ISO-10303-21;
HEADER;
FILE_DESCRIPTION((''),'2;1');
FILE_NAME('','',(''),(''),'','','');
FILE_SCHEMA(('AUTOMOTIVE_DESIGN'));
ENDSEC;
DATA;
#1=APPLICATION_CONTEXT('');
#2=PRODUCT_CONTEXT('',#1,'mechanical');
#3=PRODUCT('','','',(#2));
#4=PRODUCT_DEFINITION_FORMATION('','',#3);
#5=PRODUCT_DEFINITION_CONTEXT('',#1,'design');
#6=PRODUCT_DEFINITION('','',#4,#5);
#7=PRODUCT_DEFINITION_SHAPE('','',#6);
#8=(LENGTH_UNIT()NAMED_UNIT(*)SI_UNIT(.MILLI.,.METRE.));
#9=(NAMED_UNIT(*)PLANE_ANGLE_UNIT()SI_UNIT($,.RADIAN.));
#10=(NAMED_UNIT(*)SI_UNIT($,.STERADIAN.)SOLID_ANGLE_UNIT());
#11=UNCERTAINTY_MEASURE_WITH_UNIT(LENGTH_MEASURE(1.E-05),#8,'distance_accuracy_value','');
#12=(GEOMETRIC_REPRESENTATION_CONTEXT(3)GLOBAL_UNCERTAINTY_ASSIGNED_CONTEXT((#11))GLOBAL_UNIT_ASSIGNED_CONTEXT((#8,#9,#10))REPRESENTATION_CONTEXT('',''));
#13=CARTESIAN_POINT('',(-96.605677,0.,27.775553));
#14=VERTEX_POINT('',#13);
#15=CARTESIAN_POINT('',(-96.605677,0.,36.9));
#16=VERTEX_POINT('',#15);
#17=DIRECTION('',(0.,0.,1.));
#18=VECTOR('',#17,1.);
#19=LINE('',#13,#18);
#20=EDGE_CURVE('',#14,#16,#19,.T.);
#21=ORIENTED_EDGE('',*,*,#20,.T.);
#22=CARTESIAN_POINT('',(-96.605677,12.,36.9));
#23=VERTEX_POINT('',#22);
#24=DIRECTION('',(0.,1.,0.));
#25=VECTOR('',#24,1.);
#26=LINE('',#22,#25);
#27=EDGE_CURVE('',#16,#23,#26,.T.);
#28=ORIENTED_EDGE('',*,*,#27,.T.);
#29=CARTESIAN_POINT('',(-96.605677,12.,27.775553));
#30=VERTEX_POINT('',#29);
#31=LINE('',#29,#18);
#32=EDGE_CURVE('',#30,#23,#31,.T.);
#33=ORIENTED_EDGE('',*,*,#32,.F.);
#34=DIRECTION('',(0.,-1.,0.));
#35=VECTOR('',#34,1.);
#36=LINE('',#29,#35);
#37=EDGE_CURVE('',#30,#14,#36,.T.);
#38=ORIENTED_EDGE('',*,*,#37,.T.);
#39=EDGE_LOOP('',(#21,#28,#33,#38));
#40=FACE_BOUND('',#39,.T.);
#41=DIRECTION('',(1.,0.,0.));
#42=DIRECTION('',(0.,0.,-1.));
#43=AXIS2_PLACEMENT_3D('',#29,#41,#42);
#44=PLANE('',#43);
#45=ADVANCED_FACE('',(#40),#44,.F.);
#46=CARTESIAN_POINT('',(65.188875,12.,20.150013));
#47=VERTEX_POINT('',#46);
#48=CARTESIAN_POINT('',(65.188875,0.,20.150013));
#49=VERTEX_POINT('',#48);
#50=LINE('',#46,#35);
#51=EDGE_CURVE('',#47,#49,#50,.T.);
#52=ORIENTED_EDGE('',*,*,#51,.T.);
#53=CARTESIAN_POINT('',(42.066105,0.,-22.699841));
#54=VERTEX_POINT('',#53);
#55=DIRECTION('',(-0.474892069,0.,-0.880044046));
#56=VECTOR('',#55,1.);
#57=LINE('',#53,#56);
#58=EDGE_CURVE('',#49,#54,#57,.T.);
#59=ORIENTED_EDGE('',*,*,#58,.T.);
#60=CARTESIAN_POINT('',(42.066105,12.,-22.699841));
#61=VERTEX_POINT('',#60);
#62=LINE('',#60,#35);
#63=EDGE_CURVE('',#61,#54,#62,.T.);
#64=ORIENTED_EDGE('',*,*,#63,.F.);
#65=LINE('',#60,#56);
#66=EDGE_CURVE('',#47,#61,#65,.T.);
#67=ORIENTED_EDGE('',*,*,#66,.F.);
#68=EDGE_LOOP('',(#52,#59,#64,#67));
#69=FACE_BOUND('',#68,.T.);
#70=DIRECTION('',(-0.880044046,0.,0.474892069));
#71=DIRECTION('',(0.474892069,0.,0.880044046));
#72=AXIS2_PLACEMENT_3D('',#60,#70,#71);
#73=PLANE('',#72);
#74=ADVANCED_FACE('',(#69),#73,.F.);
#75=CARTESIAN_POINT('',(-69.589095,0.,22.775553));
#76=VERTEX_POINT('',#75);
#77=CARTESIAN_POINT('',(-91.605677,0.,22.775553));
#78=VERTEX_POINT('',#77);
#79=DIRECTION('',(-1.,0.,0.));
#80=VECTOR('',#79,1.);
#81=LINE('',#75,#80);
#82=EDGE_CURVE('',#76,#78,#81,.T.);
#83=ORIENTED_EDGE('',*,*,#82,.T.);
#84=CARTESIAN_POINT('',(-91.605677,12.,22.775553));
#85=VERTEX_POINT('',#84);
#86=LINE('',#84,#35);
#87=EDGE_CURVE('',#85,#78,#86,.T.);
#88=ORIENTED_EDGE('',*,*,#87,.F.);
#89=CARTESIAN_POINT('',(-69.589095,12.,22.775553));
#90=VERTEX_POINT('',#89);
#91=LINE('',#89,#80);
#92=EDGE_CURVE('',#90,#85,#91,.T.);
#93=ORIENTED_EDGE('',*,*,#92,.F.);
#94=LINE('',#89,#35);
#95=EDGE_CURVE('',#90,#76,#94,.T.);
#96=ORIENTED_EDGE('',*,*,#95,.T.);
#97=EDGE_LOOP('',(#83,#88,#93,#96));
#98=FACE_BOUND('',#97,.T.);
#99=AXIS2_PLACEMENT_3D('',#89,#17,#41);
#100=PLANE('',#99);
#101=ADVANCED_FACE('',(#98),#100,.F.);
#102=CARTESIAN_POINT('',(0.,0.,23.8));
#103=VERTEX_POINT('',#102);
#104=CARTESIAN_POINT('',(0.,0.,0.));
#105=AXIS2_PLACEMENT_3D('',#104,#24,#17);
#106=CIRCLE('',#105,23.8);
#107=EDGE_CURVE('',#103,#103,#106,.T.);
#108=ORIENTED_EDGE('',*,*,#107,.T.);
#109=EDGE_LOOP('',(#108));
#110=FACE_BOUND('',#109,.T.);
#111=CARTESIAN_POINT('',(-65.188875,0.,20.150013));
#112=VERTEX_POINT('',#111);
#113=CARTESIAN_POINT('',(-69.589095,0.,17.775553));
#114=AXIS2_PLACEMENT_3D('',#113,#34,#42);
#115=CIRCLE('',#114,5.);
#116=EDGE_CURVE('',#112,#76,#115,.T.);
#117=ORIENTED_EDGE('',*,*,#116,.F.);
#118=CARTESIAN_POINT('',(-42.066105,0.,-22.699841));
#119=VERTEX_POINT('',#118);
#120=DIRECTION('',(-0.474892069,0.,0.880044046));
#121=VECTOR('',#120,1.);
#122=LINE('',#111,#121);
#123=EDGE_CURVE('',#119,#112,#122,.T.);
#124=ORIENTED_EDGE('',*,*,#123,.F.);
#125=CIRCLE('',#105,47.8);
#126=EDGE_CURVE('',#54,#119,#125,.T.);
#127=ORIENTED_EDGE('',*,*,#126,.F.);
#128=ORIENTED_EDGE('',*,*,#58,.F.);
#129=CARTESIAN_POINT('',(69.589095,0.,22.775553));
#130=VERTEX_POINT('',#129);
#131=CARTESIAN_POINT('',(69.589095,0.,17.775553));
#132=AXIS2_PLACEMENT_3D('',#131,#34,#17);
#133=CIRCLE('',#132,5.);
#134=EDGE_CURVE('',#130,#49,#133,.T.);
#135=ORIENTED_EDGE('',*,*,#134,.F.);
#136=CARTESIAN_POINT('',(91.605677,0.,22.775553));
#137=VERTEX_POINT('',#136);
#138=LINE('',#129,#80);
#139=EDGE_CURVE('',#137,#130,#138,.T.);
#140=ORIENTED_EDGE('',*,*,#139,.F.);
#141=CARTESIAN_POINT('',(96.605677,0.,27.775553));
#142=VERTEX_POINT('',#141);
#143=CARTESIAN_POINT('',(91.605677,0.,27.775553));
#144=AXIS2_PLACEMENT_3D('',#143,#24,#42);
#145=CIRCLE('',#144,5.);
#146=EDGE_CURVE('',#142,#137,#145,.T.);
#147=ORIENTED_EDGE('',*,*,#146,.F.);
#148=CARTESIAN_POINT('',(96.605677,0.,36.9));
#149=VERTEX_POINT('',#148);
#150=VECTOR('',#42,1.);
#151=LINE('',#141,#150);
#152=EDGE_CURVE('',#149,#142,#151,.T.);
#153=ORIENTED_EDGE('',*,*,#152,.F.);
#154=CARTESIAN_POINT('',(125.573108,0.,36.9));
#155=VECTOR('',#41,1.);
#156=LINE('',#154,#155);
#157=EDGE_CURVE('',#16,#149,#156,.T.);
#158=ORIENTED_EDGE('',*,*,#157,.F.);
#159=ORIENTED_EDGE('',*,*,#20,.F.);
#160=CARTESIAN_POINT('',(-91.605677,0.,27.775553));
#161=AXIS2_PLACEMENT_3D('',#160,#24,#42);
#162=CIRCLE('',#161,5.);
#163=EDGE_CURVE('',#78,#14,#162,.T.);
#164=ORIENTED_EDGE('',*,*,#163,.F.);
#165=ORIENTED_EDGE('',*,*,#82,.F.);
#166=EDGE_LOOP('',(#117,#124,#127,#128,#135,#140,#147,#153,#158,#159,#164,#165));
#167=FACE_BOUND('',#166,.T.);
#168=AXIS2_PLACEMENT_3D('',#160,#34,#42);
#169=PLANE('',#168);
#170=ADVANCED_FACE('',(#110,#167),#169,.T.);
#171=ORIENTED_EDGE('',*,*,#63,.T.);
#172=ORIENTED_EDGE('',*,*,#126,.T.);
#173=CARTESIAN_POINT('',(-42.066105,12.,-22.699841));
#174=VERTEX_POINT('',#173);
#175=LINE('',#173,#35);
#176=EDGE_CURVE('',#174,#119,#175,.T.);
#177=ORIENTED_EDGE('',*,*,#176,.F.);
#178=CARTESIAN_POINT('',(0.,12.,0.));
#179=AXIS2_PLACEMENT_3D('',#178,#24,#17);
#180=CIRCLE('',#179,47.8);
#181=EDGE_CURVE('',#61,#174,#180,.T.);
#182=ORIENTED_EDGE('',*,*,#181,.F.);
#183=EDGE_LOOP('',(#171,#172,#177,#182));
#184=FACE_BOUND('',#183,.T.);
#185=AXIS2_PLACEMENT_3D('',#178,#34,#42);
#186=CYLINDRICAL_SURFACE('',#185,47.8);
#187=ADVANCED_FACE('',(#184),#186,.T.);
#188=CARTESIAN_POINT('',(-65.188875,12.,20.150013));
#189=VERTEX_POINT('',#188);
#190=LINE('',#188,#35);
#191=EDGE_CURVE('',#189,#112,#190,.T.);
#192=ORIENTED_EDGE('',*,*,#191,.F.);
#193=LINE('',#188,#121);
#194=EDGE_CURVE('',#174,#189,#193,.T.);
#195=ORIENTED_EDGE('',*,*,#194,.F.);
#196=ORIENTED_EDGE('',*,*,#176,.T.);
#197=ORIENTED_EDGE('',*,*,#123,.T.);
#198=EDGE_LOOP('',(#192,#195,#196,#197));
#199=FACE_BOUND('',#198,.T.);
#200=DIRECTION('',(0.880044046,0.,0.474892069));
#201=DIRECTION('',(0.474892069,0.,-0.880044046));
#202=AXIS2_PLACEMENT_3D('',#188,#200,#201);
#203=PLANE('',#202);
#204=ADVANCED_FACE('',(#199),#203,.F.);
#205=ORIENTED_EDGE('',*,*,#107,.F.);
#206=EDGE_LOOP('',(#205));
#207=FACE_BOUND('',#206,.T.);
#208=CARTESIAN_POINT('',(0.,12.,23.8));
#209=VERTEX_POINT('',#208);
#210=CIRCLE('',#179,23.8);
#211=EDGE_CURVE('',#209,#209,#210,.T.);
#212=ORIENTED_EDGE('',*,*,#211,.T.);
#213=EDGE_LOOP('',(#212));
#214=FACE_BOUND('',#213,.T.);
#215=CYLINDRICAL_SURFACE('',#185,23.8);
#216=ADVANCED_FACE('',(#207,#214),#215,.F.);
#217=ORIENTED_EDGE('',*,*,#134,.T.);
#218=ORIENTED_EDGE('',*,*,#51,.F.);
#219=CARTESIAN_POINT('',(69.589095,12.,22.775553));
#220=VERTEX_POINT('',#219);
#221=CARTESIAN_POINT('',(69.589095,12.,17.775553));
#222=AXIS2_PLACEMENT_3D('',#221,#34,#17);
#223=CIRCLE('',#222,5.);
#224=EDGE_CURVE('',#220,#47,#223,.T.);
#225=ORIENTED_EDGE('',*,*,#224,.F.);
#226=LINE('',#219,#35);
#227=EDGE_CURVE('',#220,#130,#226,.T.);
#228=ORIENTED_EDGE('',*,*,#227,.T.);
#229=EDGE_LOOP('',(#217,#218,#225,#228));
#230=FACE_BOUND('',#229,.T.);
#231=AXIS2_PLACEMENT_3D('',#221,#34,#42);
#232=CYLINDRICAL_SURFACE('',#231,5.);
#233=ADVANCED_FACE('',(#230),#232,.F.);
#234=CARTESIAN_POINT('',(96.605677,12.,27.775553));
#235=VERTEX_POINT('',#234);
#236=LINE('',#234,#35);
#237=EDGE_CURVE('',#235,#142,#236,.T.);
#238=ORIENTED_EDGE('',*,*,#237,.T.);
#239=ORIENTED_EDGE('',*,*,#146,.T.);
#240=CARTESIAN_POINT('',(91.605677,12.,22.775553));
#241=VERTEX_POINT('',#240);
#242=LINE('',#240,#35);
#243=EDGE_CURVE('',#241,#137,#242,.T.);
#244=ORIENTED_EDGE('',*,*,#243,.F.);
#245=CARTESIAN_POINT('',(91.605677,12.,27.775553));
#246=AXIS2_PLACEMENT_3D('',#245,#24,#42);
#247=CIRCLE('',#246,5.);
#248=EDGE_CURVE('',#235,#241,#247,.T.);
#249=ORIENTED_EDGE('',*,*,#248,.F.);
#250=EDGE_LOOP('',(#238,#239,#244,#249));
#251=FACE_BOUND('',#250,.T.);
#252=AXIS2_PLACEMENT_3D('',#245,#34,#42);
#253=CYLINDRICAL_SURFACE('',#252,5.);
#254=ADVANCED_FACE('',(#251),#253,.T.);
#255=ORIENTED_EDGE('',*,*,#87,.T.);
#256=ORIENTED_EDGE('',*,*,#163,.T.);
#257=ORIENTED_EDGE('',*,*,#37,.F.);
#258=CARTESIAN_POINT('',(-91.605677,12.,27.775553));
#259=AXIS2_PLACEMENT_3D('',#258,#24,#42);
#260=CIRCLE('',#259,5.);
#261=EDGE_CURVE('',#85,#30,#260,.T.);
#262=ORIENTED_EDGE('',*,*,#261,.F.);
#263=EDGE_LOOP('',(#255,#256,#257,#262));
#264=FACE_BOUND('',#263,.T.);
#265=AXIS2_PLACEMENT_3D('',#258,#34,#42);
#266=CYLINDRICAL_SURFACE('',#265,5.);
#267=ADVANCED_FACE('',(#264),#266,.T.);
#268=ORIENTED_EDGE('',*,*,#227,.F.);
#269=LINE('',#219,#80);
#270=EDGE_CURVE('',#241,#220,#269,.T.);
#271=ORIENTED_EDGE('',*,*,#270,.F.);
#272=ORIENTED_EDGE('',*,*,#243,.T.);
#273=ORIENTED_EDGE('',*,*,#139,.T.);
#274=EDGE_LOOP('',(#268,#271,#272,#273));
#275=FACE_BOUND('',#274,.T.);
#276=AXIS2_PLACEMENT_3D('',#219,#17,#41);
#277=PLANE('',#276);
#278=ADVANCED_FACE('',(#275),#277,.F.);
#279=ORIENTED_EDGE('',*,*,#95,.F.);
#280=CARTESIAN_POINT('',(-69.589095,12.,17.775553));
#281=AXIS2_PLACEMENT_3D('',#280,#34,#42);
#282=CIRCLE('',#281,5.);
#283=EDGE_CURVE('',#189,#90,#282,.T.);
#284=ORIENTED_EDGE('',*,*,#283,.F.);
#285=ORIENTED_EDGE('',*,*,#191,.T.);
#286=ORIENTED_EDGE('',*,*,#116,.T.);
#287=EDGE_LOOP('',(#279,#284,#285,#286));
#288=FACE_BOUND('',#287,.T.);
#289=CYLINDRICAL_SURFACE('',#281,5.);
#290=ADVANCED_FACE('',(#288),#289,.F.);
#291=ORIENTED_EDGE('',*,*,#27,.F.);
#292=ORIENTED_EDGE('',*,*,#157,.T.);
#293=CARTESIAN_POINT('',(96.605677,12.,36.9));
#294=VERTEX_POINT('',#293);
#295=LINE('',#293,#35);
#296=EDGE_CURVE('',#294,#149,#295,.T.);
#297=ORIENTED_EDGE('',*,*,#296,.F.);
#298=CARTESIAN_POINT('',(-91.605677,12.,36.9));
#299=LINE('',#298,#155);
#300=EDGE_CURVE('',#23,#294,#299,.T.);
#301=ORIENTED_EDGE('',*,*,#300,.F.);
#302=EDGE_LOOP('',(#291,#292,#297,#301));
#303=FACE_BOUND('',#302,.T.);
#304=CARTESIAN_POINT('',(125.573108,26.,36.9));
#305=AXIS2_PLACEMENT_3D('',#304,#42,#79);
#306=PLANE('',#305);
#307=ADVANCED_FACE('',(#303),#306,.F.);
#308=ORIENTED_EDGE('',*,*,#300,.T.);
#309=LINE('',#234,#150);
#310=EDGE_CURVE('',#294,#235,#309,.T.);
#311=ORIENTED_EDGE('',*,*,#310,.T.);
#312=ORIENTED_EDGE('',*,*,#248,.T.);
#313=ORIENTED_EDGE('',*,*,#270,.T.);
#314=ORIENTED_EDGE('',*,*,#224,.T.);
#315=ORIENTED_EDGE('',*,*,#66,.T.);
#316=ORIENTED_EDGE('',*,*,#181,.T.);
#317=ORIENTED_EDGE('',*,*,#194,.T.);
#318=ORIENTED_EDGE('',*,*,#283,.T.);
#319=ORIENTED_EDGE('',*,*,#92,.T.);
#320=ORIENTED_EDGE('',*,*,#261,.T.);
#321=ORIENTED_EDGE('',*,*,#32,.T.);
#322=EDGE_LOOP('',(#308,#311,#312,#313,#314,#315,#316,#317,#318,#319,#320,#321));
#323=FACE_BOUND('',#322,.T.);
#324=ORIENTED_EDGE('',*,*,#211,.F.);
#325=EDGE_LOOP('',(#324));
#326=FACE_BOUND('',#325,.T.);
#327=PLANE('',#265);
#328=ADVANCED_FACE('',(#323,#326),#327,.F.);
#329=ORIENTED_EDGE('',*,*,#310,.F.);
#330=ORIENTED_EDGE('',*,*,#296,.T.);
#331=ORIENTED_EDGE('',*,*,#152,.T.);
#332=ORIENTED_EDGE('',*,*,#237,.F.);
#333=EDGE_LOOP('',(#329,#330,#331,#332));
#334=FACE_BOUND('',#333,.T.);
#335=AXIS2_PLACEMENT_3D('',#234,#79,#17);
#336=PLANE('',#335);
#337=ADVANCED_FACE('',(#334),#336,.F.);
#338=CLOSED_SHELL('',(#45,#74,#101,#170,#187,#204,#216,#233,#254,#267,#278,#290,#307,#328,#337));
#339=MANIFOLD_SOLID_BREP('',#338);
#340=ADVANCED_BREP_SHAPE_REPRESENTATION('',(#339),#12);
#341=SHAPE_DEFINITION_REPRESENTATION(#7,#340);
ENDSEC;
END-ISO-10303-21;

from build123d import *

# Parameters (mm, degrees)
SKETCH1_R           = 23.8
BOSS_EXTRUDE1_DEPTH = 12
SKETCH2_W           = 268.538723742
SKETCH2_H           = 56.355455055
CUT_EXTRUDE1_DEPTH  = 26


with BuildPart() as part:
    # Sketch1 → Boss-Extrude1 (new body)
    with BuildSketch(Plane(origin=(0, 0, 0), x_dir=(1, 0, 0), z_dir=(0, 1, 0))):
        with BuildLine():
            Line((65, -39.8), (-65, -39.8))
            Line((-65, -39.8), (-96.605676951, -39.8))
            Line((-96.605676951, -39.8), (-96.605676951, -27.775552827))
            ThreePointArc((-96.605676951, -27.775552827), (-95.141210857, -24.240018922), (-91.605676951, -22.775552827))
            Line((-91.605676951, -22.775552827), (-69.589095412, -22.775552827))
            ThreePointArc((-69.589095412, -22.775552827), (-67.027094411, -22.069286735), (-65.188875184, -20.150013174))
            Line((-65.188875184, -20.150013174), (-42.066105387, 22.699840916))
            ThreePointArc((-42.066105387, 22.699840916), (0, 47.8), (42.066105387, 22.699840916))
            Line((42.066105387, 22.699840916), (65.188875184, -20.150013174))
            ThreePointArc((65.188875184, -20.150013174), (67.027094411, -22.069286735), (69.589095412, -22.775552827))
            Line((69.589095412, -22.775552827), (91.605676951, -22.775552827))
            ThreePointArc((91.605676951, -22.775552827), (95.141210857, -24.240018922), (96.605676951, -27.775552827))
            Line((96.605676951, -27.775552827), (96.605676951, -39.8))
            Line((96.605676951, -39.8), (65, -39.8))
        make_face()
        with Locations(Location((0, 0, 0), (0, 0, 270))):
            Circle(SKETCH1_R, mode=Mode.SUBTRACT)
    extrude(amount=BOSS_EXTRUDE1_DEPTH)

    # Sketch2 → Cut-Extrude1 (cut)
    with BuildSketch(Plane.XZ):
        with Locations((-8.696253547, 65.077727528)):
            Rectangle(SKETCH2_W, SKETCH2_H)
    extrude(amount=-CUT_EXTRUDE1_DEPTH, mode=Mode.SUBTRACT)


solid = part.part
